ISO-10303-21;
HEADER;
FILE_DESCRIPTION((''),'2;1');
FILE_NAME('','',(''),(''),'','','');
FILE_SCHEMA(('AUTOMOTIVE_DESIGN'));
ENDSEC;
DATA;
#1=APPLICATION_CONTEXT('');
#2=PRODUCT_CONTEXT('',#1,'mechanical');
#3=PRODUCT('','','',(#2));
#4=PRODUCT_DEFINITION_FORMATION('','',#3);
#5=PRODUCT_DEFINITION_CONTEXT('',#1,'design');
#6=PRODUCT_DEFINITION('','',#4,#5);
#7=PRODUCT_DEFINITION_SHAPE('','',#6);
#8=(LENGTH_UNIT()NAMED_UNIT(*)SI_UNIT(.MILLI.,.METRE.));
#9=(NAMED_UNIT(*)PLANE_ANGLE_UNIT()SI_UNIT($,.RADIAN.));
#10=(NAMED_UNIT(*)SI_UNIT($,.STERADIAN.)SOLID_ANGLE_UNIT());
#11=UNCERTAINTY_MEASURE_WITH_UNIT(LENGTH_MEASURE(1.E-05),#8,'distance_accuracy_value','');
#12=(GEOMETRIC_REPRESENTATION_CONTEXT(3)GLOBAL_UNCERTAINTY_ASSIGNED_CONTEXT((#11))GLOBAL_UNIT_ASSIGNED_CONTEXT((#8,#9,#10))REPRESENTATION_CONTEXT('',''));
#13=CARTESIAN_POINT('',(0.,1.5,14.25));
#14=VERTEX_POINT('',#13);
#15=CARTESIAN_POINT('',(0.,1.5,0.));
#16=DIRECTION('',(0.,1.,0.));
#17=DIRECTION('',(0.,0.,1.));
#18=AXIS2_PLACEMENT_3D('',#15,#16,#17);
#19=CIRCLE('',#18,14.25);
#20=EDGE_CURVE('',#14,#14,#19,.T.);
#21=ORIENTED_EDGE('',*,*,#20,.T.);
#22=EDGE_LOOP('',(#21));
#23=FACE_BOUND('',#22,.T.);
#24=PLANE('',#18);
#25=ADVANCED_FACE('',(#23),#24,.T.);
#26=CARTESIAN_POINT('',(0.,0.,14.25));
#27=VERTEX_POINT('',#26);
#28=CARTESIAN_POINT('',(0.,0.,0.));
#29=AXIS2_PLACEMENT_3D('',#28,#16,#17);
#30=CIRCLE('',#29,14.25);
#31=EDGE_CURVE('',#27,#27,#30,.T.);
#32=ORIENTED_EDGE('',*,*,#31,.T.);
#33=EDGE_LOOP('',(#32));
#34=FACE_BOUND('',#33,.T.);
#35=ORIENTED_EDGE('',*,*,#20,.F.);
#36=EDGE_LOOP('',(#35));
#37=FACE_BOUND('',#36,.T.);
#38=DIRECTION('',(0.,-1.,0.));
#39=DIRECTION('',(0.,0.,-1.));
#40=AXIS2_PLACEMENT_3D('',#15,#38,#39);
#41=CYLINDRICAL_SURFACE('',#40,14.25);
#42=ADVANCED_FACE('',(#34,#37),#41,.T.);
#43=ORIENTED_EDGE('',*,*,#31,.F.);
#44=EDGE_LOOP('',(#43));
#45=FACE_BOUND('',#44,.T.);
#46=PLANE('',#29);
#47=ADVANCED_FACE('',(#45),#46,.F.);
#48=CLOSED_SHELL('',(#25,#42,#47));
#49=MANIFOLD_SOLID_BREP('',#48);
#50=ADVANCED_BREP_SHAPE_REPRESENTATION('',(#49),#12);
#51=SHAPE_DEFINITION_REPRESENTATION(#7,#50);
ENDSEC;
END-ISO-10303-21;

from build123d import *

# Parameters (mm, degrees)
SKETCH1_R           = 14.25
BOSS_EXTRUDE1_DEPTH = 1.5


with BuildPart() as part:
    # Sketch1 → Boss-Extrude1 (new body)
    with BuildSketch(Plane(origin=(0, 0, 0), x_dir=(1, 0, 0), z_dir=(0, 1, 0))):
        with Locations(Location((0, 0, 0), (0, 0, 270))):
            Circle(SKETCH1_R)
    extrude(amount=BOSS_EXTRUDE1_DEPTH)


solid = part.part
